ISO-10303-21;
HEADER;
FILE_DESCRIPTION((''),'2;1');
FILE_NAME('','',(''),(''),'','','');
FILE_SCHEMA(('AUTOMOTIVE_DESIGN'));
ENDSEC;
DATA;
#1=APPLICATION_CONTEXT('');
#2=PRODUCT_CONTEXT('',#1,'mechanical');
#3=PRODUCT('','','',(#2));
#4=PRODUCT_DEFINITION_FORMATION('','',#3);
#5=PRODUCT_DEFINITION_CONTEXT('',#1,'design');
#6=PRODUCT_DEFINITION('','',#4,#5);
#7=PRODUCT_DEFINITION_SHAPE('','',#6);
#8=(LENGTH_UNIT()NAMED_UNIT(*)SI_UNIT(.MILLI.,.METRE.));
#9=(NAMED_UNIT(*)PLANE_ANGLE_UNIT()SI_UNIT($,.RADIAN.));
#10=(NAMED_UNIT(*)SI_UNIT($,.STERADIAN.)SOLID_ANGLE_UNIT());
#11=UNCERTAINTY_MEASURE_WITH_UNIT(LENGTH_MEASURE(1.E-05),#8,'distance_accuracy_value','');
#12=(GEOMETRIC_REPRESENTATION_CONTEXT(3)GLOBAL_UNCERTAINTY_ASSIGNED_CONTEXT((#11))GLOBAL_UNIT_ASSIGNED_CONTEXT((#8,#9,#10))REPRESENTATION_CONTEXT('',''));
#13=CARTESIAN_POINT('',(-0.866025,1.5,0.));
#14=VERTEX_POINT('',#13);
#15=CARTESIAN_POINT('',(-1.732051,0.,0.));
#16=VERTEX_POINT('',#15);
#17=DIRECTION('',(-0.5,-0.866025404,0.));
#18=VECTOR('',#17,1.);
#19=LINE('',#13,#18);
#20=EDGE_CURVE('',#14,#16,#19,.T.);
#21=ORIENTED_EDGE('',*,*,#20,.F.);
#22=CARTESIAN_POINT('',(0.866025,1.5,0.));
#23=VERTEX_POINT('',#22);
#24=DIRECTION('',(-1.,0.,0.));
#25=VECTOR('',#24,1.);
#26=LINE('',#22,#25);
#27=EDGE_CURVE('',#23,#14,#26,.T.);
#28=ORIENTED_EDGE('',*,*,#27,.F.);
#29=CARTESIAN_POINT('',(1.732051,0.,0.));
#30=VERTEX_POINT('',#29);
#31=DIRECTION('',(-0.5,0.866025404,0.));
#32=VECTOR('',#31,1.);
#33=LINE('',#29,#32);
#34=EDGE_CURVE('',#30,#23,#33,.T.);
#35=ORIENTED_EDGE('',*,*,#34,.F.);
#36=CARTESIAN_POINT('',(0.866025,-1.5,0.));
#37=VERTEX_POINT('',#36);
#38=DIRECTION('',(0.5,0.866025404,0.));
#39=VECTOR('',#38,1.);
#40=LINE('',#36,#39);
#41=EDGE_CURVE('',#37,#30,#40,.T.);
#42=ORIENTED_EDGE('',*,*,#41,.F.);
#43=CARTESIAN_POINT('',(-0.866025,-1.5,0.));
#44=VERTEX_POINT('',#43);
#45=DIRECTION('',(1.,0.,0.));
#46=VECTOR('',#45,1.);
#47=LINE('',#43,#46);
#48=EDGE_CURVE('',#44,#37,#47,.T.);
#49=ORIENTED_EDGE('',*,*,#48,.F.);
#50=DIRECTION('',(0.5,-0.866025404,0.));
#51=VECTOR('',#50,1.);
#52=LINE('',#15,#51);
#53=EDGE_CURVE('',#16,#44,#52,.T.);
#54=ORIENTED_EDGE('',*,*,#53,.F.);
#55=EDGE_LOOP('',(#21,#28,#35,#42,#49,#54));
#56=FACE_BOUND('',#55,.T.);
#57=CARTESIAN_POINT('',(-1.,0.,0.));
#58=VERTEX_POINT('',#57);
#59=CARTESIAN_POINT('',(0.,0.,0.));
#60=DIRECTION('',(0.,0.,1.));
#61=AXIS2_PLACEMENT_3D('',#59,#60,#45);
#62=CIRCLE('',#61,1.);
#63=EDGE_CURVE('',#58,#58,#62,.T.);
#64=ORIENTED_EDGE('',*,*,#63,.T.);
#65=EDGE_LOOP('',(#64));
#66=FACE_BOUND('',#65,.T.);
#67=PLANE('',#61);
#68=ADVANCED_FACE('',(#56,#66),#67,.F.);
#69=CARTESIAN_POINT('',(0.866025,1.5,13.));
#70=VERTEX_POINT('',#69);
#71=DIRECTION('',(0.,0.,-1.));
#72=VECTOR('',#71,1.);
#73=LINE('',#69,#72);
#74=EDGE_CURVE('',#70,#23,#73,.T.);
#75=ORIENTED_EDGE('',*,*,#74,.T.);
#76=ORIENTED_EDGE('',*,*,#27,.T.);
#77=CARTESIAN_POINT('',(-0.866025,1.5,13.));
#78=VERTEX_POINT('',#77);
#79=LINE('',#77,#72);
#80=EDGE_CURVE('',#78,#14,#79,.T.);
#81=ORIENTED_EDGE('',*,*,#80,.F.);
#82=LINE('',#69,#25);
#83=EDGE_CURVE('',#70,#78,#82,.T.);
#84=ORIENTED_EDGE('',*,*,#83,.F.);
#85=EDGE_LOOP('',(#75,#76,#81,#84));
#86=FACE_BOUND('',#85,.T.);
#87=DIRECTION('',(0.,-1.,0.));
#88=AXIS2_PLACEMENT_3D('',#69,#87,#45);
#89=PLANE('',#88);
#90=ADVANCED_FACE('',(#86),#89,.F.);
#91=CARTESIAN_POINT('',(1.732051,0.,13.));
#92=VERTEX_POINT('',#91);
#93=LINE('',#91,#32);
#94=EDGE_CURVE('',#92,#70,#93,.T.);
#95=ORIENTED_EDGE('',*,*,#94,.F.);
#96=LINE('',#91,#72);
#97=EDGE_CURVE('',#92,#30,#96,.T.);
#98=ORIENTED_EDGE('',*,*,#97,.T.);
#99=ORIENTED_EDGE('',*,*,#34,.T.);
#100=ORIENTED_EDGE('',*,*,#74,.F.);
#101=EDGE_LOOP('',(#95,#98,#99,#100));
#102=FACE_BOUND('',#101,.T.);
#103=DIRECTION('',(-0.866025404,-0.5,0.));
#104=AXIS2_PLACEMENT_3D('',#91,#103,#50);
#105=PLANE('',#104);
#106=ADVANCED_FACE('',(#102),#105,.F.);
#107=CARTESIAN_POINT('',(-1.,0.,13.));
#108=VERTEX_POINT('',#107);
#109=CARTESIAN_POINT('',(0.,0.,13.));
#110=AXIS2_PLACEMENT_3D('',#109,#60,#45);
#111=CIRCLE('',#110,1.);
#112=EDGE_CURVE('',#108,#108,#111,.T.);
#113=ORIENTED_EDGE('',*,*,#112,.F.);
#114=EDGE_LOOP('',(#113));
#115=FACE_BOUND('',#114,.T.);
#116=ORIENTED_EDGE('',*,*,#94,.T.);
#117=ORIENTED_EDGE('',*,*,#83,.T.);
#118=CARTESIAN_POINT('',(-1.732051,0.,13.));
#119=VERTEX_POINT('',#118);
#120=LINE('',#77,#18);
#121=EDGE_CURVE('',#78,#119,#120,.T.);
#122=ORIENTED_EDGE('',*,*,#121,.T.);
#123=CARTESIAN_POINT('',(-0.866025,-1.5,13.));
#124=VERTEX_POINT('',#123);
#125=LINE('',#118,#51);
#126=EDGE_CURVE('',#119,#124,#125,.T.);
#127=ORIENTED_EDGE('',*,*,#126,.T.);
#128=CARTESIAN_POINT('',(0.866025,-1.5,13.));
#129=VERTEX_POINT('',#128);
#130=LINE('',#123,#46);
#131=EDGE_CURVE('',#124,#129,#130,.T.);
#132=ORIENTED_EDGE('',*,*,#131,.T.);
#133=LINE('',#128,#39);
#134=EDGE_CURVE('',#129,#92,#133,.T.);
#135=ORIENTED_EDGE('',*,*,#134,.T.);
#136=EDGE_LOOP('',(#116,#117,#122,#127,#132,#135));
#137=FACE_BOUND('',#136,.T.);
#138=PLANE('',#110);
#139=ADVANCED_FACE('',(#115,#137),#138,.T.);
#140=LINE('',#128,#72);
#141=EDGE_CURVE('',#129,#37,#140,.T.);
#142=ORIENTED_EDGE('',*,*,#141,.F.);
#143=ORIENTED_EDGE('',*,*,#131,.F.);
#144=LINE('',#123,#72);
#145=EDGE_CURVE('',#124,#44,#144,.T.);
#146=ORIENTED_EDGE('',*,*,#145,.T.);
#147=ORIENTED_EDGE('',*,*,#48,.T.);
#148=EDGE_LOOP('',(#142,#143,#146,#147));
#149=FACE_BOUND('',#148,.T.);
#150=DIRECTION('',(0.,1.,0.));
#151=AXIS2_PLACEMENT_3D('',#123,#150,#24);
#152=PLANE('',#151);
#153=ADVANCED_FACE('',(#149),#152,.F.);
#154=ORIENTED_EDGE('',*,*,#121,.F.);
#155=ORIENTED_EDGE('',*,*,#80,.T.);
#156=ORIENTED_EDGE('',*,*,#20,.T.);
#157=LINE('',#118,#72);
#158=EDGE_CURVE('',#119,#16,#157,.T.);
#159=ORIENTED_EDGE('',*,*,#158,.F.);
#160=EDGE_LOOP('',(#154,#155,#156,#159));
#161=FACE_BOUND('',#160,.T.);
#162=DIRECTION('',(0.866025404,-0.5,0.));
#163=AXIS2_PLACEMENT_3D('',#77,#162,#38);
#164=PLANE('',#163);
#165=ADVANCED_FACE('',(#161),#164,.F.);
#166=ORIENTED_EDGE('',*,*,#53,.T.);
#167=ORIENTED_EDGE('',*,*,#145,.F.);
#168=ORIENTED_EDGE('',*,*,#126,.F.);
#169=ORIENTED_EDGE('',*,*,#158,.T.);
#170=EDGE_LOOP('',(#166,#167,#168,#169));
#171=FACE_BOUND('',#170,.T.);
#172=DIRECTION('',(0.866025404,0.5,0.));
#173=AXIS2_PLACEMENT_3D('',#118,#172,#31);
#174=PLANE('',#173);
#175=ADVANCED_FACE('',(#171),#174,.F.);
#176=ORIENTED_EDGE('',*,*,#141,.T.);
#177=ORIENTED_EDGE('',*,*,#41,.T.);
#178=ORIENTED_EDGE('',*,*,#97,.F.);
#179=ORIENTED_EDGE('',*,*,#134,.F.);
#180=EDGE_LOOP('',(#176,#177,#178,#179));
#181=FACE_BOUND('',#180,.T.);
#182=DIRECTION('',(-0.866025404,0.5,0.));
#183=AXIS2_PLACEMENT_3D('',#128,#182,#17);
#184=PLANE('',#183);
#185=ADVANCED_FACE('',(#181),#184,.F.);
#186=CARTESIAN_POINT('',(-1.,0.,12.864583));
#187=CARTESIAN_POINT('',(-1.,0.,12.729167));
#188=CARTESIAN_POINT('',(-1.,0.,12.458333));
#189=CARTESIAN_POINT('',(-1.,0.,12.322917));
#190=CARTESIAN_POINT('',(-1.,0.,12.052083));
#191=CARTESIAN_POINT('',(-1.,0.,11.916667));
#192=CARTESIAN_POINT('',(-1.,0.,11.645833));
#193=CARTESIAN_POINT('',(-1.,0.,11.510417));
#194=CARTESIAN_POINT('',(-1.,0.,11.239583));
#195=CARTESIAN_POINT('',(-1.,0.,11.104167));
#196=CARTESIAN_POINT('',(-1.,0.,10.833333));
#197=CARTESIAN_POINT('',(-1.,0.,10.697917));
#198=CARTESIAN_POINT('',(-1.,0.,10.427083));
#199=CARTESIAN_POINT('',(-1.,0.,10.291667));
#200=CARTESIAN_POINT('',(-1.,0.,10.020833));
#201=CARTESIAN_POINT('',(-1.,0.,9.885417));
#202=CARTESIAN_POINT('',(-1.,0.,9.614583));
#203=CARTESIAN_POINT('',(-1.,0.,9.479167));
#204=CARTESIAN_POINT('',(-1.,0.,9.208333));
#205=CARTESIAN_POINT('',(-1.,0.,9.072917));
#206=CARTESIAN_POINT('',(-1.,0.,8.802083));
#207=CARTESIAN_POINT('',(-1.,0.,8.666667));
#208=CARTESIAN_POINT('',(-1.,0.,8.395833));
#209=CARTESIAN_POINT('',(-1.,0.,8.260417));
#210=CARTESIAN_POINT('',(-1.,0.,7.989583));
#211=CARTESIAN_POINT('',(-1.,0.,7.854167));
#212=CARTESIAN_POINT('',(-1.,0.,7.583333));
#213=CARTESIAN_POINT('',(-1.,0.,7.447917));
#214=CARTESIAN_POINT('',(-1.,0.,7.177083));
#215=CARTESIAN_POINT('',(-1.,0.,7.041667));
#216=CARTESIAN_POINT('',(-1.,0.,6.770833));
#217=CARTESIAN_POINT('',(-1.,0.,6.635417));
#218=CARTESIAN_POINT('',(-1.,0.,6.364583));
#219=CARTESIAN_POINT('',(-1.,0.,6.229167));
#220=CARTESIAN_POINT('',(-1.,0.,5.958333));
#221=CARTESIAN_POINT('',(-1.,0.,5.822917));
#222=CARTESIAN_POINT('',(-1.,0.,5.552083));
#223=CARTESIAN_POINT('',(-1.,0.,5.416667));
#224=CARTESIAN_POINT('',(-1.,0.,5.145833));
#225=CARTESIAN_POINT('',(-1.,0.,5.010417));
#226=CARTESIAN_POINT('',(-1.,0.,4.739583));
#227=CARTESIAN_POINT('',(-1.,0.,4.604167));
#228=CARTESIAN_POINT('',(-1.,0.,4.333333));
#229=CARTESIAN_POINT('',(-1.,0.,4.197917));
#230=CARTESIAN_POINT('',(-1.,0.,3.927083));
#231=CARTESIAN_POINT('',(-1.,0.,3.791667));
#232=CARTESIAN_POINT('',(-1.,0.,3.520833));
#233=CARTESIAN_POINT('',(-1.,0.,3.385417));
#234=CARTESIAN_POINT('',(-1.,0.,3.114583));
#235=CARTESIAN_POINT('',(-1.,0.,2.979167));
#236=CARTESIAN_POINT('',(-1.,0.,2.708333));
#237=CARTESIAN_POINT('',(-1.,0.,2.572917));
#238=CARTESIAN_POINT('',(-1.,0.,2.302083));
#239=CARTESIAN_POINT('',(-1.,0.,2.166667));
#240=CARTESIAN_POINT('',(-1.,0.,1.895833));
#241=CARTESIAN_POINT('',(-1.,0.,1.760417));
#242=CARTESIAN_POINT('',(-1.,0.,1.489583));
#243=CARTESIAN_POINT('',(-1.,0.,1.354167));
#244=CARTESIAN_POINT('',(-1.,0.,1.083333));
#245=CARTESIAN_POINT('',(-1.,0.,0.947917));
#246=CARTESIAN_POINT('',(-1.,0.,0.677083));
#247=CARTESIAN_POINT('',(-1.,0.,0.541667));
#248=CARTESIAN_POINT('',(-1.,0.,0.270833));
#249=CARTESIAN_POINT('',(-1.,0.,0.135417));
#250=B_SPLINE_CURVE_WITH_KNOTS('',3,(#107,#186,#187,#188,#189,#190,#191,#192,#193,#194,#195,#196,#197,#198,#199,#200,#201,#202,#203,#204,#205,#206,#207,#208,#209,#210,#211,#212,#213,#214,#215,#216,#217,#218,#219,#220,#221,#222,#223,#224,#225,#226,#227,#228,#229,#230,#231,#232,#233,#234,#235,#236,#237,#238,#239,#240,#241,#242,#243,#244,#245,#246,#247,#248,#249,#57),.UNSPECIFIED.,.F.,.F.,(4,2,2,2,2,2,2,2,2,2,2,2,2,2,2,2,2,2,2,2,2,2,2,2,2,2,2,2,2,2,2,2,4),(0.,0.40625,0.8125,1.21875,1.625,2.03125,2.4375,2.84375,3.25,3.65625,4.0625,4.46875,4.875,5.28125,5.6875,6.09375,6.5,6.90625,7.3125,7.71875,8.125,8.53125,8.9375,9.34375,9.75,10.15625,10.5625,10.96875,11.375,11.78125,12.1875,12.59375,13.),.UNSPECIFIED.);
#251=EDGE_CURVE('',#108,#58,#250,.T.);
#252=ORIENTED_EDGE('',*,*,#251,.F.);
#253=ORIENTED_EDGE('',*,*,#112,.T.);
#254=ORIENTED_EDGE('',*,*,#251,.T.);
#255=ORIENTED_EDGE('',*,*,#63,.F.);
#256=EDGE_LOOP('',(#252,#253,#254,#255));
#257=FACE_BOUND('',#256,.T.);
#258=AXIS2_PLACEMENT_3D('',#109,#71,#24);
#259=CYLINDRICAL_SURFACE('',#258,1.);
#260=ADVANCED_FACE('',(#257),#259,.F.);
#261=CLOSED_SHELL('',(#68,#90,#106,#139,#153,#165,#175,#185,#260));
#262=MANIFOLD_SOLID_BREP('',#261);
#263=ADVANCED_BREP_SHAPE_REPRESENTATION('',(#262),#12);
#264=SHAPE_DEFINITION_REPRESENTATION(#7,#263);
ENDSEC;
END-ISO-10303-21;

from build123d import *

# Parameters (mm, degrees)
SKETCH_1_R      = 1
EXTRUDE_1_DEPTH = 13


with BuildPart() as part:
    # 草图1 → 凸台-拉伸1 (new body)
    with BuildSketch(Plane.XY):
        Polygon((1.732050808, 0), (0.866025404, 1.5), (-0.866025404, 1.5), (-1.732050808, 0), (-0.866025404, -1.5), (0.866025404, -1.5), align=None)
        with Locations(Location((0, 0, 0), (0, 0, 180))):
            Circle(SKETCH_1_R, mode=Mode.SUBTRACT)
    extrude(amount=EXTRUDE_1_DEPTH)


solid = part.part
